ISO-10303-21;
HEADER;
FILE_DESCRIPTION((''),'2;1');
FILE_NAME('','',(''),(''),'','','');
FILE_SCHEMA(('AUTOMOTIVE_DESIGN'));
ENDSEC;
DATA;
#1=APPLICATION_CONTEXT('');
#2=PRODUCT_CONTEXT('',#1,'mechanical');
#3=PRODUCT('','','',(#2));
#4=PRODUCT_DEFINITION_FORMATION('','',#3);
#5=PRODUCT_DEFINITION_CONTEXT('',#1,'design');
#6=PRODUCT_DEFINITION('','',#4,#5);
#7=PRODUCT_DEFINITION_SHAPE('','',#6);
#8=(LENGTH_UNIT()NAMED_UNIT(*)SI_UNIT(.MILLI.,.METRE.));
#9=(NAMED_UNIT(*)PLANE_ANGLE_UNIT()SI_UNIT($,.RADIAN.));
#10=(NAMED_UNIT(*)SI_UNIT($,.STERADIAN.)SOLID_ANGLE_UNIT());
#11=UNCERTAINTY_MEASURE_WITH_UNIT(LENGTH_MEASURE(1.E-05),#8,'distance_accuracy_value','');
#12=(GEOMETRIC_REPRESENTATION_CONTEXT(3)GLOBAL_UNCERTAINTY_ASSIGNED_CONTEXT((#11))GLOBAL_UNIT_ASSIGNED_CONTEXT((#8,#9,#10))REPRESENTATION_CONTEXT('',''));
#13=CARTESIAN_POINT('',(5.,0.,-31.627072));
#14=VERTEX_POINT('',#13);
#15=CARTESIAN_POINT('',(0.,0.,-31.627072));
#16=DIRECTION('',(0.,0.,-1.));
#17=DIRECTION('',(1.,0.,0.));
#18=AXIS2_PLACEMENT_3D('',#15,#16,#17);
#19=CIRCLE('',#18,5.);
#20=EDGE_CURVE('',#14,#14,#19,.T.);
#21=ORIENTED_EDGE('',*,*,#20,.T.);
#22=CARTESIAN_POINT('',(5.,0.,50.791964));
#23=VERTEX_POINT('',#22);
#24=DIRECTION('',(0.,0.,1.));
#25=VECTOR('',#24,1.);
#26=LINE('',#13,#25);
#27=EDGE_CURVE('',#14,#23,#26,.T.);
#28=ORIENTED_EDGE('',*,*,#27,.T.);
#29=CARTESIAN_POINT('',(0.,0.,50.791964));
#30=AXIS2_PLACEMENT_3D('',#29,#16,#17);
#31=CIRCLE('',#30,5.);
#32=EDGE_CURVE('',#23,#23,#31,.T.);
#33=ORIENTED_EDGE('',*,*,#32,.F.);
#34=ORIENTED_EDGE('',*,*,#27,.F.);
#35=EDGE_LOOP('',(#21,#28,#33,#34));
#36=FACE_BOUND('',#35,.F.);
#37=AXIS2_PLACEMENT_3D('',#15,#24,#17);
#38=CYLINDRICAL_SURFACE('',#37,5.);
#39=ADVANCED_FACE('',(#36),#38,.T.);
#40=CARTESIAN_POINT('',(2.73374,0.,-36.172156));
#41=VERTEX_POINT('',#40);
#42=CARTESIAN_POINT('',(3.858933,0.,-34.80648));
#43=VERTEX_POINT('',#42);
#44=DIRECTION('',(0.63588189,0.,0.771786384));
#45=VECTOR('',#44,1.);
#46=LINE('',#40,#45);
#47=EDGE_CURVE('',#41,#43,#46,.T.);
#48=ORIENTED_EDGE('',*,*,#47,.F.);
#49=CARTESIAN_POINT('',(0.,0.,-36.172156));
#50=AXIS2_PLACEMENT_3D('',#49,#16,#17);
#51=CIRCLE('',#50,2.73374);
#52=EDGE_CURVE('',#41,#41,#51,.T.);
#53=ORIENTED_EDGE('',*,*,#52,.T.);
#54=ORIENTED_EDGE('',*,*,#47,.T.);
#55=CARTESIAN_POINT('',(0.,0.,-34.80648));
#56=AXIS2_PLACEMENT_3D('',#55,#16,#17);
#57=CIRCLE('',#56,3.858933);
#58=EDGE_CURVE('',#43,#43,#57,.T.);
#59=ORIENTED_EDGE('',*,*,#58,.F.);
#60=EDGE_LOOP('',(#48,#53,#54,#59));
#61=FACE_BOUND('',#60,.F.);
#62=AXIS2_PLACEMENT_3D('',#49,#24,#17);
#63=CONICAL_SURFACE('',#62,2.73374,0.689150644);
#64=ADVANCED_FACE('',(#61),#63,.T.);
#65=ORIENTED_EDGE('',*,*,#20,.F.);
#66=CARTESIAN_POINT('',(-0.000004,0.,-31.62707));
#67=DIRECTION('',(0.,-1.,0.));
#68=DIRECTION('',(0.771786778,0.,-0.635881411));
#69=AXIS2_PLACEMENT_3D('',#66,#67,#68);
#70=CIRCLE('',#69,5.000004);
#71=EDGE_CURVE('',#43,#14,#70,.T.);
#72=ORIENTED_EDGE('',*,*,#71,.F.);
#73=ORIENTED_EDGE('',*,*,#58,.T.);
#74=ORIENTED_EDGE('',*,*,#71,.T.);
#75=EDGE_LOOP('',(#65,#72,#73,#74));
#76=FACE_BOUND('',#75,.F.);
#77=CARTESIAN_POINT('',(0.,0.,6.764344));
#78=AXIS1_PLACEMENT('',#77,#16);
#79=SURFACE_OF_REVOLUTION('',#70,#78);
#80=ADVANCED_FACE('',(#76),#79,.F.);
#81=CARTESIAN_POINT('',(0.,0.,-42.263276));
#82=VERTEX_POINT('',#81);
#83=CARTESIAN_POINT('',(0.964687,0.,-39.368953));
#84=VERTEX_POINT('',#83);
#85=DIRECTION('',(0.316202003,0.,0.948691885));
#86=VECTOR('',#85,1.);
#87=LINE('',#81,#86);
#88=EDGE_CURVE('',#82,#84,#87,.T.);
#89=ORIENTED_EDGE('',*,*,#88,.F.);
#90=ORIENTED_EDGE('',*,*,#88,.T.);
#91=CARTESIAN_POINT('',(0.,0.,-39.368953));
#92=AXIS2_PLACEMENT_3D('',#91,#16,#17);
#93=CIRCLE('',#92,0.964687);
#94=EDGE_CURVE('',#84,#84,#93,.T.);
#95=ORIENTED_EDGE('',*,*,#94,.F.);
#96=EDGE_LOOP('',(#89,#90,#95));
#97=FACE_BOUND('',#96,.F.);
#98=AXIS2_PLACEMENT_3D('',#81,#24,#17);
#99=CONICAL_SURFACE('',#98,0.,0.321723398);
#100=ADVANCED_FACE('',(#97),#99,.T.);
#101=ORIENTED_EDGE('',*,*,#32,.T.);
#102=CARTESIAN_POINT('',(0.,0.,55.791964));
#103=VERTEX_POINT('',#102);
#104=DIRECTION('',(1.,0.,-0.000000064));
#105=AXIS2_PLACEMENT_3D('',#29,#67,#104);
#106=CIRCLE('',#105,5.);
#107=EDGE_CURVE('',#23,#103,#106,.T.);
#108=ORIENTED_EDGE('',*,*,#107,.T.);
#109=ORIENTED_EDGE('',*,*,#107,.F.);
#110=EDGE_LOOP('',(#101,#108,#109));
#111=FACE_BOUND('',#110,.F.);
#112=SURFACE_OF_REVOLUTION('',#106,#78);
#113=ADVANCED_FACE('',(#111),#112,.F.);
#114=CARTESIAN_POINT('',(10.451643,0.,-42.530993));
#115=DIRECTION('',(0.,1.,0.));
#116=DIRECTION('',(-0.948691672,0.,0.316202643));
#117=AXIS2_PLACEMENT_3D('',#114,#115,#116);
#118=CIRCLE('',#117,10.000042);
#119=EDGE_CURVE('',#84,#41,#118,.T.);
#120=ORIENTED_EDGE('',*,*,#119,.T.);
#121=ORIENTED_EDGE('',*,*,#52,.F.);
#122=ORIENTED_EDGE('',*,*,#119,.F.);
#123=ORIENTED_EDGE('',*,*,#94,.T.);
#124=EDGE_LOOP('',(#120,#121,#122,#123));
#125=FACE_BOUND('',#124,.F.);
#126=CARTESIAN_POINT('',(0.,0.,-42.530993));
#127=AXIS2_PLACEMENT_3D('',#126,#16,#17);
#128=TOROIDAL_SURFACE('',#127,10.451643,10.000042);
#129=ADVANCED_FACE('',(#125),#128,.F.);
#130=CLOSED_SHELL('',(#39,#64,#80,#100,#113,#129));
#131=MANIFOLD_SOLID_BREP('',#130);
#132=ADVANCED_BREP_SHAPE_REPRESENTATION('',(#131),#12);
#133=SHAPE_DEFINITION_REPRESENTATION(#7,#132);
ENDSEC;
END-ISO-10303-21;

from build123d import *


with BuildPart() as f1:
    # F0 (on Front) → F1 (revolve)
    with BuildSketch(Plane.XZ):
        with BuildLine():
            Line((5, -31.627072), (5, 50.791964))
            ThreePointArc((5, 50.791964), (3.535534, 54.327498), (0, 55.791964))
            Line((0, 55.791964), (0, -42.263276))
            Line((0, -42.263276), (0.964687, -39.368953))
            ThreePointArc((0.964687, -39.368953), (1.701976, -37.689076), (2.73374, -36.172156))
            Line((2.73374, -36.172156), (3.858933, -34.80648))
            ThreePointArc((3.858933, -34.80648), (4.706095, -33.316056), (5, -31.627072))
        make_face()
    revolve(axis=Axis((0, 0, 6.764344), (0, 0, -1)))


solid = f1.part
